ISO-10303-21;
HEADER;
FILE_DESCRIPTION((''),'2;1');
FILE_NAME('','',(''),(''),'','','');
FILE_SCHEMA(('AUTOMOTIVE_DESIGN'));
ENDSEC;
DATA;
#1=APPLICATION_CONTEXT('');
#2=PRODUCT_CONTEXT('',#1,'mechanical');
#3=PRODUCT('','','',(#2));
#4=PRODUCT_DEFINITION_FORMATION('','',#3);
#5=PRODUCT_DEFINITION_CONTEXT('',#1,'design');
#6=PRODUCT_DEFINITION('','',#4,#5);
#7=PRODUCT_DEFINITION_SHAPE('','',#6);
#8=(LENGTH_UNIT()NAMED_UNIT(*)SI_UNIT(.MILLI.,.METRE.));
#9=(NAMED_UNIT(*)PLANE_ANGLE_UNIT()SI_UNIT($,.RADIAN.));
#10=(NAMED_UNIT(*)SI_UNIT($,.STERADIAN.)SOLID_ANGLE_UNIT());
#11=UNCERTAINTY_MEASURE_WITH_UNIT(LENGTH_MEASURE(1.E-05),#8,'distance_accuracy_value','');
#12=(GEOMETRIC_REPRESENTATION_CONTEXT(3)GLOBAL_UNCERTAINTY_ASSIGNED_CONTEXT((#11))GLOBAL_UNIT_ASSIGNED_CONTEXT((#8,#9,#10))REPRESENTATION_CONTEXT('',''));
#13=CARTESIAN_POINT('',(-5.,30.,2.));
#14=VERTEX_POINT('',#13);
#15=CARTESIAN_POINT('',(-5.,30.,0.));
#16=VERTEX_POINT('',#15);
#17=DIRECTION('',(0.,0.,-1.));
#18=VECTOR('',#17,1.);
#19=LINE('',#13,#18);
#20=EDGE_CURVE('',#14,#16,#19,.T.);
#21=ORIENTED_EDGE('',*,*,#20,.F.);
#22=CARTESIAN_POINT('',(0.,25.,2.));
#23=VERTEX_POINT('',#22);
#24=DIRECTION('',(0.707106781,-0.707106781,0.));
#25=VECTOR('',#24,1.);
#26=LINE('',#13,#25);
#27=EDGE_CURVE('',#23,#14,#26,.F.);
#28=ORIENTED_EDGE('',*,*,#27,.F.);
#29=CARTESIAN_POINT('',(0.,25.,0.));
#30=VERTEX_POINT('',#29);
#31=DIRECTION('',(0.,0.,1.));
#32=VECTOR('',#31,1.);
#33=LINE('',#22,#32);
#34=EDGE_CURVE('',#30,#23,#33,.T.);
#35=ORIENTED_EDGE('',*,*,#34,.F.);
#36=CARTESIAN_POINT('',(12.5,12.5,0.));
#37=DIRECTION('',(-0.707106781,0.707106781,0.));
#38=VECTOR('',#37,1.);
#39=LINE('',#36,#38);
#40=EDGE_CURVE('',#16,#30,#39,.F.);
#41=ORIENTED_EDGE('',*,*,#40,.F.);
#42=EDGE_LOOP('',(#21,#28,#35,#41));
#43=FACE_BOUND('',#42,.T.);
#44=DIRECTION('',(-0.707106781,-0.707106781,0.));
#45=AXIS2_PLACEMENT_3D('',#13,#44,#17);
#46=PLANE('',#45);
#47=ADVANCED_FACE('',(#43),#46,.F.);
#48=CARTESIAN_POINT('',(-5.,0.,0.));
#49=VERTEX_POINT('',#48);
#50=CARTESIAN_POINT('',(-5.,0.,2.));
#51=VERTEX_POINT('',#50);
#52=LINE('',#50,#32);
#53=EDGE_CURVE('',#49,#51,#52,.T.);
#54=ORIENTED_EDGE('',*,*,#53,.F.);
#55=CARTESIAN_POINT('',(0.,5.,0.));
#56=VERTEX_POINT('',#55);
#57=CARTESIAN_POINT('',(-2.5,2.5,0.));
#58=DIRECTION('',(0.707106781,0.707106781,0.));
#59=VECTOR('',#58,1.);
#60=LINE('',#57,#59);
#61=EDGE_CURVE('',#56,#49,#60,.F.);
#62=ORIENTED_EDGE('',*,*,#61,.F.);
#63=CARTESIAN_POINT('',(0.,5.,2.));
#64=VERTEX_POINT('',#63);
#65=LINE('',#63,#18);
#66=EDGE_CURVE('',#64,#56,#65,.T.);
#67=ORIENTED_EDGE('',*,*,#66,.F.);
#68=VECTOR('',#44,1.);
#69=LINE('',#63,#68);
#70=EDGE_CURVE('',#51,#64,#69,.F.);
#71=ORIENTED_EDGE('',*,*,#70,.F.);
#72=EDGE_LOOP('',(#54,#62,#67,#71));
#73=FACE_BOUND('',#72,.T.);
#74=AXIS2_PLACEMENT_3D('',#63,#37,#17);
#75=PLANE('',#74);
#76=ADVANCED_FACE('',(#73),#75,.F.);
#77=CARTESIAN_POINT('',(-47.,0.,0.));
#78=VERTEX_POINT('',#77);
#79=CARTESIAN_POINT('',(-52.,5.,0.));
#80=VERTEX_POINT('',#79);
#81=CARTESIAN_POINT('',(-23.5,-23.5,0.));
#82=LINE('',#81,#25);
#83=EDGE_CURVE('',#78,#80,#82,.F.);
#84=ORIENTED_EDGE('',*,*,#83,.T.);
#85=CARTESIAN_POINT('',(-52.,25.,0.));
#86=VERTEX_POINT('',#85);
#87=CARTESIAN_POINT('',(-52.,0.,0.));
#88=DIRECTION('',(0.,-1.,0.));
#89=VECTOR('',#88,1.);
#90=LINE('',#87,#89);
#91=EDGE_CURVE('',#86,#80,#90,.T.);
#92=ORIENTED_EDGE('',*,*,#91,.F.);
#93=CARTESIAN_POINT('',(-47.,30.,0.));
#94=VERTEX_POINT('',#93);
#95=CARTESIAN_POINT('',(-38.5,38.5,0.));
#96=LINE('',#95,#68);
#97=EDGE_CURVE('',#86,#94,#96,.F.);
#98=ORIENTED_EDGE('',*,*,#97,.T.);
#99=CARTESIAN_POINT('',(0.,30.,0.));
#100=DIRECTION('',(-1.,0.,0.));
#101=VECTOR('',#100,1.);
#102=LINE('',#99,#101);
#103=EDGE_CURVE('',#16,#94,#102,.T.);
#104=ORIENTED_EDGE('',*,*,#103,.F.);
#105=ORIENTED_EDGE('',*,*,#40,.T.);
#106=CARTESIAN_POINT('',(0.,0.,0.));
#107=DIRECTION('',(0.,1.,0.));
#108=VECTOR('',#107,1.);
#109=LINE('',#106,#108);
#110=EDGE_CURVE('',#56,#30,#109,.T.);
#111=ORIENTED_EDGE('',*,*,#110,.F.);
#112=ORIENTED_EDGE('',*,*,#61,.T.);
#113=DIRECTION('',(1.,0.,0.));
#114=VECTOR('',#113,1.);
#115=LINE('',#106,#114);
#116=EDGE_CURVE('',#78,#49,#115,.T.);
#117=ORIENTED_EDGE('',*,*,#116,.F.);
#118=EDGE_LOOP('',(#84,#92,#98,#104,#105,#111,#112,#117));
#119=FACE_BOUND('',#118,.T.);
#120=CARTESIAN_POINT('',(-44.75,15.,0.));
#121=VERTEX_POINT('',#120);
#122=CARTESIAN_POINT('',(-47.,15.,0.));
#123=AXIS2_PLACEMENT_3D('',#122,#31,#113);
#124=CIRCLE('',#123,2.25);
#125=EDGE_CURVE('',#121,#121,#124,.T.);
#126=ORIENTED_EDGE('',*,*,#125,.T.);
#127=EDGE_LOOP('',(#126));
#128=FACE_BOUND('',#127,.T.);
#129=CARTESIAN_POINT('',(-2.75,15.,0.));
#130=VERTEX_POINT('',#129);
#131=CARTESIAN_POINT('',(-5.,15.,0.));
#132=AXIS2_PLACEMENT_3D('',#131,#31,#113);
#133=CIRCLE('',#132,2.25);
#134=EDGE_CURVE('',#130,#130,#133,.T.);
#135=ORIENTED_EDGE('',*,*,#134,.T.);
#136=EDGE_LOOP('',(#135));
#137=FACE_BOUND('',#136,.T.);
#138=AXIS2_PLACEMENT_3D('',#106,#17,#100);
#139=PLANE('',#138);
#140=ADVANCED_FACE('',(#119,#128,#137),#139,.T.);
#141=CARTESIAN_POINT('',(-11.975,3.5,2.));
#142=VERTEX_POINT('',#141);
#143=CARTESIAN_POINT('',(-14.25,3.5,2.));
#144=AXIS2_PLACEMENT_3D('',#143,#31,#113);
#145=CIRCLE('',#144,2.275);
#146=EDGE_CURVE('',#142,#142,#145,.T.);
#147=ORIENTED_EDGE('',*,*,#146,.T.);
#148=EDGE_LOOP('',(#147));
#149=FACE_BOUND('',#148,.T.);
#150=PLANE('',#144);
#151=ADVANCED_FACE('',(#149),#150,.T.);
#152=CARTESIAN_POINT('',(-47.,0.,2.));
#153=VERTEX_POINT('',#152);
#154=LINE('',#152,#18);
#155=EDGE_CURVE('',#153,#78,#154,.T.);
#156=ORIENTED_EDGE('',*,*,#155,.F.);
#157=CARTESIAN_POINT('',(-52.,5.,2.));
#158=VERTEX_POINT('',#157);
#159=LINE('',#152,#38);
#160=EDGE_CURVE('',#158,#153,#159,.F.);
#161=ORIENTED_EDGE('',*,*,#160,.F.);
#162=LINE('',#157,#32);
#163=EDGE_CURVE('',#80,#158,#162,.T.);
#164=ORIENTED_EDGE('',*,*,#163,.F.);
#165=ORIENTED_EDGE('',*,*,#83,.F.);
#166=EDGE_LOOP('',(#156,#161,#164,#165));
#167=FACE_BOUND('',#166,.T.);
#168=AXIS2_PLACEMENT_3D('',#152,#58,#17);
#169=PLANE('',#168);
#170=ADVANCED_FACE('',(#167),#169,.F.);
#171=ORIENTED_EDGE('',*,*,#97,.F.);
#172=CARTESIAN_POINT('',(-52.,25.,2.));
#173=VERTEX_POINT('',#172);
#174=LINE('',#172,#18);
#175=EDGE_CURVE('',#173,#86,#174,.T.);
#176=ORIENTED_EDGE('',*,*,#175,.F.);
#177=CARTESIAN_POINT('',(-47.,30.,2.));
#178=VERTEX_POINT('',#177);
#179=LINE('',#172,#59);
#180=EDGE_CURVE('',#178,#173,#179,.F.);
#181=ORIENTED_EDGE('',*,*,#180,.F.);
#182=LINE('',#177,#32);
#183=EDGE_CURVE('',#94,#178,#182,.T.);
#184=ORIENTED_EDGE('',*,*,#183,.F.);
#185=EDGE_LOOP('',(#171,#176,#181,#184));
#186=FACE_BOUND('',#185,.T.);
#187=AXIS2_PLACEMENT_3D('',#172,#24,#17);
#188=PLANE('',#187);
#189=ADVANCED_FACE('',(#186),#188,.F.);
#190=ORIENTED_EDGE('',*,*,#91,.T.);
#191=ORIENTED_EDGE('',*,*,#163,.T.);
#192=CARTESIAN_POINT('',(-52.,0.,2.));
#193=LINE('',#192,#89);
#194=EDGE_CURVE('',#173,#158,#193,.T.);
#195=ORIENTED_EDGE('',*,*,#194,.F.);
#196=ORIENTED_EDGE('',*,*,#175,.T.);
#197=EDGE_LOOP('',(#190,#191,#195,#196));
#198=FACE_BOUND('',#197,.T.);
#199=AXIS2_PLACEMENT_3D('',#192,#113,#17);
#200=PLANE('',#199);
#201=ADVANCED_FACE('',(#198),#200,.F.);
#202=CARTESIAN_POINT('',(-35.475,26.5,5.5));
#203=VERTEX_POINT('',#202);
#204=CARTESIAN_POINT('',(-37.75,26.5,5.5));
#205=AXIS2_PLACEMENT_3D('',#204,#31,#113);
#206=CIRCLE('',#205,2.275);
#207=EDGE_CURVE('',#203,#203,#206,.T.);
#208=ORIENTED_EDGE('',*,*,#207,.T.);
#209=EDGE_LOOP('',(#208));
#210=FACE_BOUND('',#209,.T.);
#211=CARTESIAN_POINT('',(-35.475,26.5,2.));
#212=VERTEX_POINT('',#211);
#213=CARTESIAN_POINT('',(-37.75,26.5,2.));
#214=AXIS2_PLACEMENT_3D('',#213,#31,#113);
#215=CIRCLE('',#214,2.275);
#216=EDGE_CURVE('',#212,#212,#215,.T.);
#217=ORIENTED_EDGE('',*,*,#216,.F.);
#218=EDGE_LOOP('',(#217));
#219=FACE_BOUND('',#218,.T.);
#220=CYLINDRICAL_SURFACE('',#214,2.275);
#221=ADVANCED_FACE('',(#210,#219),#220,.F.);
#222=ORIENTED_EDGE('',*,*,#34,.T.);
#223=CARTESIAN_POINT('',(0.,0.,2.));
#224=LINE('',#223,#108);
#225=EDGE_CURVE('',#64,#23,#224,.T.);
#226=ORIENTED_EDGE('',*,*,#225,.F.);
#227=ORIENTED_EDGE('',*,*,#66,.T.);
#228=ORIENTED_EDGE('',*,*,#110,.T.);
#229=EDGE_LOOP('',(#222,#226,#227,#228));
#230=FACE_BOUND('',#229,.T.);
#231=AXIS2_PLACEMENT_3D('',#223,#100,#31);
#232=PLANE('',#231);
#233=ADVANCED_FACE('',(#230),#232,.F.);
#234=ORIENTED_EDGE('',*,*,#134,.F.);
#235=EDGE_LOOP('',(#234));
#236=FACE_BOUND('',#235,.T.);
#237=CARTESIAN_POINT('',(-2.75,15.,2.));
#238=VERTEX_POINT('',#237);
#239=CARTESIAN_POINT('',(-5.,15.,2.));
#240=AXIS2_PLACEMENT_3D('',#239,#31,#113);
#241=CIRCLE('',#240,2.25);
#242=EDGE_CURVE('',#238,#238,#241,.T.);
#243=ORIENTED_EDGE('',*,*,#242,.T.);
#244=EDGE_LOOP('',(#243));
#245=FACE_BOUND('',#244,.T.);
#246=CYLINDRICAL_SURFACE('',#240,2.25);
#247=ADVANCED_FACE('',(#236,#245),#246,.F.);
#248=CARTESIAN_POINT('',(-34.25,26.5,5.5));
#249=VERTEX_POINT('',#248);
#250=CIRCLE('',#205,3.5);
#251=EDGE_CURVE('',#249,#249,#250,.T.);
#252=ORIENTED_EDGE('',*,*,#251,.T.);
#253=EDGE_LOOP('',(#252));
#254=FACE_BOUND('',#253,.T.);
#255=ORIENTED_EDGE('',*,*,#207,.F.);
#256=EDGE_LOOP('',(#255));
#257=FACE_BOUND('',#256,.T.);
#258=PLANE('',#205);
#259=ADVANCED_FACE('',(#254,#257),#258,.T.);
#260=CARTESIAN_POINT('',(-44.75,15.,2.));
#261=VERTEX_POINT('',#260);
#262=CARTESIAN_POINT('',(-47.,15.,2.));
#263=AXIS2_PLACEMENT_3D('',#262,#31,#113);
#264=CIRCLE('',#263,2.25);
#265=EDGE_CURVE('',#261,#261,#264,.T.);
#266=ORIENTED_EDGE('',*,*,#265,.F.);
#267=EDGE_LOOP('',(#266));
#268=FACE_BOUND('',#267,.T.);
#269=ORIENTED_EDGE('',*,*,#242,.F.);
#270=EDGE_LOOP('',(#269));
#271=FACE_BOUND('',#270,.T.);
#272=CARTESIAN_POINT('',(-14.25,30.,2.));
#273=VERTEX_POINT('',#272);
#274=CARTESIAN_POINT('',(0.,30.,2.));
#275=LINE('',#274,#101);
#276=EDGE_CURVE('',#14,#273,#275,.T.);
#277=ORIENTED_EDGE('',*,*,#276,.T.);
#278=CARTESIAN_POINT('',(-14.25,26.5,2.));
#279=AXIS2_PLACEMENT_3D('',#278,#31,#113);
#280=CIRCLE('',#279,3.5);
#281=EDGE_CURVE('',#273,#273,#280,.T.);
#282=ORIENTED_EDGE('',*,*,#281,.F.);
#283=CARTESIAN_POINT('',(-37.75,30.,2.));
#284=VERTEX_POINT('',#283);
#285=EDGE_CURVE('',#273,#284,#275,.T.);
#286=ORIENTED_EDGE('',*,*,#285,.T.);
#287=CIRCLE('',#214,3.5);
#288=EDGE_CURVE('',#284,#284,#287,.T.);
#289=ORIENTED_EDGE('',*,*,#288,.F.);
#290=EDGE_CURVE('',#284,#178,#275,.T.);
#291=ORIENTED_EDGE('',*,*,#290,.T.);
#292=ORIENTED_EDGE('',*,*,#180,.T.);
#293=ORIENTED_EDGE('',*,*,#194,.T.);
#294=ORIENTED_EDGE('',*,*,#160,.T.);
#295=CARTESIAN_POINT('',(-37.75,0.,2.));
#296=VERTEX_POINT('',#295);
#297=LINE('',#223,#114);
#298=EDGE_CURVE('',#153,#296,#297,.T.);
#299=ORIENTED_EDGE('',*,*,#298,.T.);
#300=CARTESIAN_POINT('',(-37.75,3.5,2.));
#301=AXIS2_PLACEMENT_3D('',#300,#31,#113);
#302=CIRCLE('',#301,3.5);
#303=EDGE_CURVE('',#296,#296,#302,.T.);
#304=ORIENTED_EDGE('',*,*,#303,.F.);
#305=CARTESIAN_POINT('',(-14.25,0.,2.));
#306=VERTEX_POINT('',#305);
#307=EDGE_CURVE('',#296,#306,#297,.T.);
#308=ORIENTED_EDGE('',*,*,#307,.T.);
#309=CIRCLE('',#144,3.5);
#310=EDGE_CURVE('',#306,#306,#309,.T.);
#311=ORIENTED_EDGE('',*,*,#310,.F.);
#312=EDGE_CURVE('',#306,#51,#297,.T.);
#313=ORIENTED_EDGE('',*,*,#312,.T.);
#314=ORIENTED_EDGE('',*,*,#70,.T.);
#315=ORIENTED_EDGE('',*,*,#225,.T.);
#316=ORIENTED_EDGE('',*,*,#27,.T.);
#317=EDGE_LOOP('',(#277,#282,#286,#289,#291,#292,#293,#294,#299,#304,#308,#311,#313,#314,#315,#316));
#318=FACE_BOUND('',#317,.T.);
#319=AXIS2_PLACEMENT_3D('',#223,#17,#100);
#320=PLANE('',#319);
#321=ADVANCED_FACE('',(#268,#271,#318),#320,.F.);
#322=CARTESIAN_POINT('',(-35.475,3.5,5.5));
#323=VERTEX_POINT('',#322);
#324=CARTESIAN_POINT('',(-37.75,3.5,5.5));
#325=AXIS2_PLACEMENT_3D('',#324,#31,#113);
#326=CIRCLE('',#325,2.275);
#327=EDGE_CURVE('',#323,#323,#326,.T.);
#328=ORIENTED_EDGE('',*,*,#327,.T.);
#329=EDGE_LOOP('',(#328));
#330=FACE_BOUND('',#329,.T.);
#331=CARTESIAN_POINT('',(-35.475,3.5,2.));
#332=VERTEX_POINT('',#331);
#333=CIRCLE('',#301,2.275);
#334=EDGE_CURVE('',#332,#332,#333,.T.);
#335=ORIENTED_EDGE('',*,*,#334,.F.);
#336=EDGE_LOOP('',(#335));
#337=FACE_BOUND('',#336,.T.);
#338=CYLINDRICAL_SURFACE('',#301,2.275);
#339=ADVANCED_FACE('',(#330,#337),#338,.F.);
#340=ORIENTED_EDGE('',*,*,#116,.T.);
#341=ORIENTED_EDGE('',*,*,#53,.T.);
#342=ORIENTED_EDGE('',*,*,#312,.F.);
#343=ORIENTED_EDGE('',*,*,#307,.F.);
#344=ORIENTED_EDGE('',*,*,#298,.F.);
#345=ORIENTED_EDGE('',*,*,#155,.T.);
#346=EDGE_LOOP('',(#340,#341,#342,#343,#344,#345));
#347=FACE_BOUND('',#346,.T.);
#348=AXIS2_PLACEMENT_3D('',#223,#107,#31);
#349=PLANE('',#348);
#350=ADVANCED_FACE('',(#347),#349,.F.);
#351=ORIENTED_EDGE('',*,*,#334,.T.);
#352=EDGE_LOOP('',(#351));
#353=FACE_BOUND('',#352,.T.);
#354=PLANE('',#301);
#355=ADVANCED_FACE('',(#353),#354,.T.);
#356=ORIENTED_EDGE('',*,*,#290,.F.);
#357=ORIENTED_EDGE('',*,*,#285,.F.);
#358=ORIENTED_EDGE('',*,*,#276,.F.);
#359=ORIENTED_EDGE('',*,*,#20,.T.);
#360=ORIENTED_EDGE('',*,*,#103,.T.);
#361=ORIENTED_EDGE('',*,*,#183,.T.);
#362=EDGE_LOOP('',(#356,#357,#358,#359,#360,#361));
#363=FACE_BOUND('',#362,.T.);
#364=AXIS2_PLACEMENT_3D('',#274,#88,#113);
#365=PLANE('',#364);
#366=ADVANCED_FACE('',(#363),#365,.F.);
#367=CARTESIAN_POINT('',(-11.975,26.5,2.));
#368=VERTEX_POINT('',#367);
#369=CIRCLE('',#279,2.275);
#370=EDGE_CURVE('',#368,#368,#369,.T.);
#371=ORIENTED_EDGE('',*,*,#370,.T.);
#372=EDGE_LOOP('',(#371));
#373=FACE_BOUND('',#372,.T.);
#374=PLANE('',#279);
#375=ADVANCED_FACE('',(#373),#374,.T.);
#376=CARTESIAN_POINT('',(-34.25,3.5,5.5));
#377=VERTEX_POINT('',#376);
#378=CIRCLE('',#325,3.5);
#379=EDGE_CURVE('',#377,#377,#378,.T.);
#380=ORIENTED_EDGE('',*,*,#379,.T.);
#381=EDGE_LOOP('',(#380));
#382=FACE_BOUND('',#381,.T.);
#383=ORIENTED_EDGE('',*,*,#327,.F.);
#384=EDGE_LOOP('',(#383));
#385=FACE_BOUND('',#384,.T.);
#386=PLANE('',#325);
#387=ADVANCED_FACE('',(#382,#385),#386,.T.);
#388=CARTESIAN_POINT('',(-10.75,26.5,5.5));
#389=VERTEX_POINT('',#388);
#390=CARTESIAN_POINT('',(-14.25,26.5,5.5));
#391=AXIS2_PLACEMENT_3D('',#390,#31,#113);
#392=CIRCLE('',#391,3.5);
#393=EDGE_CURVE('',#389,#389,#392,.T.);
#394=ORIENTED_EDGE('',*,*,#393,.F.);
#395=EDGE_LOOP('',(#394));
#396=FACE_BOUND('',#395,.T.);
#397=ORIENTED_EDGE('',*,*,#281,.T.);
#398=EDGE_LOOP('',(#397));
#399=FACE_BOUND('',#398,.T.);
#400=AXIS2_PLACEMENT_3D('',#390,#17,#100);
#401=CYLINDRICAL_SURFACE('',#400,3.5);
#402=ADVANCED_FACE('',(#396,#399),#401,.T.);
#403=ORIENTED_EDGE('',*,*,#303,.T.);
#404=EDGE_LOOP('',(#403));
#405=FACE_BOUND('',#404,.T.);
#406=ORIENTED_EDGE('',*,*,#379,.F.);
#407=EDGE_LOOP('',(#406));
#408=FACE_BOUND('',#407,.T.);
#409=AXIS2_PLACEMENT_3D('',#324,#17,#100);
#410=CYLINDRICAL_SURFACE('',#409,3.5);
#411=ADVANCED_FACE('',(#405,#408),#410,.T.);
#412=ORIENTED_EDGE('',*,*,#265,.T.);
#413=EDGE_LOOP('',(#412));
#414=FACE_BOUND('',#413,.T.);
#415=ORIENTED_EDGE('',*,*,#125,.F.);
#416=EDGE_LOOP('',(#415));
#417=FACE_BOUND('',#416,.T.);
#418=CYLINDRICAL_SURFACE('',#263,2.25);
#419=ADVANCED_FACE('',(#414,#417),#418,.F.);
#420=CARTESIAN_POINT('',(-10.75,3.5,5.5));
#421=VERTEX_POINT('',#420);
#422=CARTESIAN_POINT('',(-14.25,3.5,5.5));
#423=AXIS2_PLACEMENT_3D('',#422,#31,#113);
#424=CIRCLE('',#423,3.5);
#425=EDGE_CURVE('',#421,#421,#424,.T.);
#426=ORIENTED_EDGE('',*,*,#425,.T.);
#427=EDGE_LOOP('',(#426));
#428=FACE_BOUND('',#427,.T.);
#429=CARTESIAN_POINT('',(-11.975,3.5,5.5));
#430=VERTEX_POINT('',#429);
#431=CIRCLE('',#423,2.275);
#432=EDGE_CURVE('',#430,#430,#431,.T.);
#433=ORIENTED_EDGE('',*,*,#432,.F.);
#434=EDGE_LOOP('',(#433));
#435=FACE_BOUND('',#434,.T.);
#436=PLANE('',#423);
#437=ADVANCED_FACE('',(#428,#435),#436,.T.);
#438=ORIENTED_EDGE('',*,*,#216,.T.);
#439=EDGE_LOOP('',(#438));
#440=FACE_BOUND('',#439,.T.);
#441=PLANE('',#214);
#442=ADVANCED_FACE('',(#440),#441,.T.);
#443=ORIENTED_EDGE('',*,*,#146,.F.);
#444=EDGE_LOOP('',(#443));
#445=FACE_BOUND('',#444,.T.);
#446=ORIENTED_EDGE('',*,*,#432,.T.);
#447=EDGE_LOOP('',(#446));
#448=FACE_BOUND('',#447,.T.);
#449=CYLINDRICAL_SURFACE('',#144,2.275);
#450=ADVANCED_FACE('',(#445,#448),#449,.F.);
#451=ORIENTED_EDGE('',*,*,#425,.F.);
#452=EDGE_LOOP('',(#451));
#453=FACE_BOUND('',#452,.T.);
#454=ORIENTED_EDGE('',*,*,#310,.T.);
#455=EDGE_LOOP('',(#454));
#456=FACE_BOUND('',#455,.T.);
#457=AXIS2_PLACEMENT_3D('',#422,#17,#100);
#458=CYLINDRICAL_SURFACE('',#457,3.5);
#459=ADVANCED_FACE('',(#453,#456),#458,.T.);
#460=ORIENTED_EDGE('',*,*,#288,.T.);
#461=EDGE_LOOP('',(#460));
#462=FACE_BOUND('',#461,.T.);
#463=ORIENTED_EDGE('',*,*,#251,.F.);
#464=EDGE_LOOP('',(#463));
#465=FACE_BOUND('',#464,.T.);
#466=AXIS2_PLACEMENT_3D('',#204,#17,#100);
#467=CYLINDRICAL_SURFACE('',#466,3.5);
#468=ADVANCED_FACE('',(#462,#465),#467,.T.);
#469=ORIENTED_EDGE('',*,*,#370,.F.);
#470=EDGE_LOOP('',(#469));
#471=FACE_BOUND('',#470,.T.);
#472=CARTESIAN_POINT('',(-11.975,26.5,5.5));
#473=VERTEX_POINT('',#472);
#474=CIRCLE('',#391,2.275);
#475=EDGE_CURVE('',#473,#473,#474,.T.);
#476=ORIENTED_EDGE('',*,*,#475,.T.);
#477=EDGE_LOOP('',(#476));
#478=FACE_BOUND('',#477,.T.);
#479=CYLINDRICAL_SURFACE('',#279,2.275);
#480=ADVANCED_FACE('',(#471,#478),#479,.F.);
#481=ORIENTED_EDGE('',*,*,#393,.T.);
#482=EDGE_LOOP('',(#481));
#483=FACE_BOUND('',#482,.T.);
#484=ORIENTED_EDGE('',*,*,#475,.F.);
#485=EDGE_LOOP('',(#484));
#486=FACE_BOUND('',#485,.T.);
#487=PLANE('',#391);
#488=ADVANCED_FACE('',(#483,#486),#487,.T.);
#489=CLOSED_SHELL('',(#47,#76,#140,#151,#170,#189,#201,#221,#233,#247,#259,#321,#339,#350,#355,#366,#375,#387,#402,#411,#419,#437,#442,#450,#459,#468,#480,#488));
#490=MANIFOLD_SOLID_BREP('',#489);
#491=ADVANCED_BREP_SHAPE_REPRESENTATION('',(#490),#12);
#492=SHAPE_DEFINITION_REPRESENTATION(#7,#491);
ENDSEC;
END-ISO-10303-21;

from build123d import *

# Parameters (mm, degrees)
SKETCH_1_W          = 30
SKETCH_1_H          = 52
EXTRUDE_1_DEPTH     = 2
SKETCH_2_R          = 3.5
EXTRUDE_2_DEPTH     = 3.5
SKETCH_5_R          = 2.275
CUT_EXTRUDE_1_DEPTH = 3.5
HOLE_WIZARD_M4_1_D  = 4.5
CHAMFER_1_SIZE      = 5


with BuildPart() as part:
    # ｽｹｯﾁ1 → ﾎﾞｽ - 押し出し1 (new body)
    with BuildSketch(Plane(origin=(0, 0, 0), x_dir=(0, 1, 0), z_dir=(0, 0, 1))):
        with Locations((15, 26)):
            Rectangle(SKETCH_1_W, SKETCH_1_H)
    extrude(amount=EXTRUDE_1_DEPTH)

    # ｽｹｯﾁ2 → ﾎﾞｽ - 押し出し2 (add)
    with BuildSketch(Plane.XY.offset(2)):
        with Locations((-37.75, 26.5)):
            Circle(SKETCH_2_R)
        with Locations((-14.25, 26.5)):
            Circle(SKETCH_2_R)
        with Locations((-14.25, 3.5)):
            Circle(SKETCH_2_R)
        with Locations((-37.75, 3.5)):
            Circle(SKETCH_2_R)
    extrude(amount=EXTRUDE_2_DEPTH)

    # ｽｹｯﾁ5 → ｶｯﾄ - 押し出し1 (cut)
    with BuildSketch(Plane.XY.offset(5.5)):
        with Locations((-37.75, 26.5)):
            Circle(SKETCH_5_R)
        with Locations((-14.25, 26.5)):
            Circle(SKETCH_5_R)
        with Locations((-14.25, 3.5)):
            Circle(SKETCH_5_R)
        with Locations((-37.75, 3.5)):
            Circle(SKETCH_5_R)
    extrude(amount=-CUT_EXTRUDE_1_DEPTH, mode=Mode.SUBTRACT)

    # M4 すきま穴1 (through all)
    with Locations(Plane.XY.offset(2)):
        with Locations((-47, 15), (-5, 15)):
            Hole(HOLE_WIZARD_M4_1_D / 2)

    # 面取り1
    chamfer_1_edges = [part.edges().sort_by_distance(p)[0] for p in [
        (-52, 0, 1),
        (-52, 30, 1),
        (0, 30, 1),
        (0, 0, 1),
    ]]
    chamfer(chamfer_1_edges, length=CHAMFER_1_SIZE)


solid = part.part
